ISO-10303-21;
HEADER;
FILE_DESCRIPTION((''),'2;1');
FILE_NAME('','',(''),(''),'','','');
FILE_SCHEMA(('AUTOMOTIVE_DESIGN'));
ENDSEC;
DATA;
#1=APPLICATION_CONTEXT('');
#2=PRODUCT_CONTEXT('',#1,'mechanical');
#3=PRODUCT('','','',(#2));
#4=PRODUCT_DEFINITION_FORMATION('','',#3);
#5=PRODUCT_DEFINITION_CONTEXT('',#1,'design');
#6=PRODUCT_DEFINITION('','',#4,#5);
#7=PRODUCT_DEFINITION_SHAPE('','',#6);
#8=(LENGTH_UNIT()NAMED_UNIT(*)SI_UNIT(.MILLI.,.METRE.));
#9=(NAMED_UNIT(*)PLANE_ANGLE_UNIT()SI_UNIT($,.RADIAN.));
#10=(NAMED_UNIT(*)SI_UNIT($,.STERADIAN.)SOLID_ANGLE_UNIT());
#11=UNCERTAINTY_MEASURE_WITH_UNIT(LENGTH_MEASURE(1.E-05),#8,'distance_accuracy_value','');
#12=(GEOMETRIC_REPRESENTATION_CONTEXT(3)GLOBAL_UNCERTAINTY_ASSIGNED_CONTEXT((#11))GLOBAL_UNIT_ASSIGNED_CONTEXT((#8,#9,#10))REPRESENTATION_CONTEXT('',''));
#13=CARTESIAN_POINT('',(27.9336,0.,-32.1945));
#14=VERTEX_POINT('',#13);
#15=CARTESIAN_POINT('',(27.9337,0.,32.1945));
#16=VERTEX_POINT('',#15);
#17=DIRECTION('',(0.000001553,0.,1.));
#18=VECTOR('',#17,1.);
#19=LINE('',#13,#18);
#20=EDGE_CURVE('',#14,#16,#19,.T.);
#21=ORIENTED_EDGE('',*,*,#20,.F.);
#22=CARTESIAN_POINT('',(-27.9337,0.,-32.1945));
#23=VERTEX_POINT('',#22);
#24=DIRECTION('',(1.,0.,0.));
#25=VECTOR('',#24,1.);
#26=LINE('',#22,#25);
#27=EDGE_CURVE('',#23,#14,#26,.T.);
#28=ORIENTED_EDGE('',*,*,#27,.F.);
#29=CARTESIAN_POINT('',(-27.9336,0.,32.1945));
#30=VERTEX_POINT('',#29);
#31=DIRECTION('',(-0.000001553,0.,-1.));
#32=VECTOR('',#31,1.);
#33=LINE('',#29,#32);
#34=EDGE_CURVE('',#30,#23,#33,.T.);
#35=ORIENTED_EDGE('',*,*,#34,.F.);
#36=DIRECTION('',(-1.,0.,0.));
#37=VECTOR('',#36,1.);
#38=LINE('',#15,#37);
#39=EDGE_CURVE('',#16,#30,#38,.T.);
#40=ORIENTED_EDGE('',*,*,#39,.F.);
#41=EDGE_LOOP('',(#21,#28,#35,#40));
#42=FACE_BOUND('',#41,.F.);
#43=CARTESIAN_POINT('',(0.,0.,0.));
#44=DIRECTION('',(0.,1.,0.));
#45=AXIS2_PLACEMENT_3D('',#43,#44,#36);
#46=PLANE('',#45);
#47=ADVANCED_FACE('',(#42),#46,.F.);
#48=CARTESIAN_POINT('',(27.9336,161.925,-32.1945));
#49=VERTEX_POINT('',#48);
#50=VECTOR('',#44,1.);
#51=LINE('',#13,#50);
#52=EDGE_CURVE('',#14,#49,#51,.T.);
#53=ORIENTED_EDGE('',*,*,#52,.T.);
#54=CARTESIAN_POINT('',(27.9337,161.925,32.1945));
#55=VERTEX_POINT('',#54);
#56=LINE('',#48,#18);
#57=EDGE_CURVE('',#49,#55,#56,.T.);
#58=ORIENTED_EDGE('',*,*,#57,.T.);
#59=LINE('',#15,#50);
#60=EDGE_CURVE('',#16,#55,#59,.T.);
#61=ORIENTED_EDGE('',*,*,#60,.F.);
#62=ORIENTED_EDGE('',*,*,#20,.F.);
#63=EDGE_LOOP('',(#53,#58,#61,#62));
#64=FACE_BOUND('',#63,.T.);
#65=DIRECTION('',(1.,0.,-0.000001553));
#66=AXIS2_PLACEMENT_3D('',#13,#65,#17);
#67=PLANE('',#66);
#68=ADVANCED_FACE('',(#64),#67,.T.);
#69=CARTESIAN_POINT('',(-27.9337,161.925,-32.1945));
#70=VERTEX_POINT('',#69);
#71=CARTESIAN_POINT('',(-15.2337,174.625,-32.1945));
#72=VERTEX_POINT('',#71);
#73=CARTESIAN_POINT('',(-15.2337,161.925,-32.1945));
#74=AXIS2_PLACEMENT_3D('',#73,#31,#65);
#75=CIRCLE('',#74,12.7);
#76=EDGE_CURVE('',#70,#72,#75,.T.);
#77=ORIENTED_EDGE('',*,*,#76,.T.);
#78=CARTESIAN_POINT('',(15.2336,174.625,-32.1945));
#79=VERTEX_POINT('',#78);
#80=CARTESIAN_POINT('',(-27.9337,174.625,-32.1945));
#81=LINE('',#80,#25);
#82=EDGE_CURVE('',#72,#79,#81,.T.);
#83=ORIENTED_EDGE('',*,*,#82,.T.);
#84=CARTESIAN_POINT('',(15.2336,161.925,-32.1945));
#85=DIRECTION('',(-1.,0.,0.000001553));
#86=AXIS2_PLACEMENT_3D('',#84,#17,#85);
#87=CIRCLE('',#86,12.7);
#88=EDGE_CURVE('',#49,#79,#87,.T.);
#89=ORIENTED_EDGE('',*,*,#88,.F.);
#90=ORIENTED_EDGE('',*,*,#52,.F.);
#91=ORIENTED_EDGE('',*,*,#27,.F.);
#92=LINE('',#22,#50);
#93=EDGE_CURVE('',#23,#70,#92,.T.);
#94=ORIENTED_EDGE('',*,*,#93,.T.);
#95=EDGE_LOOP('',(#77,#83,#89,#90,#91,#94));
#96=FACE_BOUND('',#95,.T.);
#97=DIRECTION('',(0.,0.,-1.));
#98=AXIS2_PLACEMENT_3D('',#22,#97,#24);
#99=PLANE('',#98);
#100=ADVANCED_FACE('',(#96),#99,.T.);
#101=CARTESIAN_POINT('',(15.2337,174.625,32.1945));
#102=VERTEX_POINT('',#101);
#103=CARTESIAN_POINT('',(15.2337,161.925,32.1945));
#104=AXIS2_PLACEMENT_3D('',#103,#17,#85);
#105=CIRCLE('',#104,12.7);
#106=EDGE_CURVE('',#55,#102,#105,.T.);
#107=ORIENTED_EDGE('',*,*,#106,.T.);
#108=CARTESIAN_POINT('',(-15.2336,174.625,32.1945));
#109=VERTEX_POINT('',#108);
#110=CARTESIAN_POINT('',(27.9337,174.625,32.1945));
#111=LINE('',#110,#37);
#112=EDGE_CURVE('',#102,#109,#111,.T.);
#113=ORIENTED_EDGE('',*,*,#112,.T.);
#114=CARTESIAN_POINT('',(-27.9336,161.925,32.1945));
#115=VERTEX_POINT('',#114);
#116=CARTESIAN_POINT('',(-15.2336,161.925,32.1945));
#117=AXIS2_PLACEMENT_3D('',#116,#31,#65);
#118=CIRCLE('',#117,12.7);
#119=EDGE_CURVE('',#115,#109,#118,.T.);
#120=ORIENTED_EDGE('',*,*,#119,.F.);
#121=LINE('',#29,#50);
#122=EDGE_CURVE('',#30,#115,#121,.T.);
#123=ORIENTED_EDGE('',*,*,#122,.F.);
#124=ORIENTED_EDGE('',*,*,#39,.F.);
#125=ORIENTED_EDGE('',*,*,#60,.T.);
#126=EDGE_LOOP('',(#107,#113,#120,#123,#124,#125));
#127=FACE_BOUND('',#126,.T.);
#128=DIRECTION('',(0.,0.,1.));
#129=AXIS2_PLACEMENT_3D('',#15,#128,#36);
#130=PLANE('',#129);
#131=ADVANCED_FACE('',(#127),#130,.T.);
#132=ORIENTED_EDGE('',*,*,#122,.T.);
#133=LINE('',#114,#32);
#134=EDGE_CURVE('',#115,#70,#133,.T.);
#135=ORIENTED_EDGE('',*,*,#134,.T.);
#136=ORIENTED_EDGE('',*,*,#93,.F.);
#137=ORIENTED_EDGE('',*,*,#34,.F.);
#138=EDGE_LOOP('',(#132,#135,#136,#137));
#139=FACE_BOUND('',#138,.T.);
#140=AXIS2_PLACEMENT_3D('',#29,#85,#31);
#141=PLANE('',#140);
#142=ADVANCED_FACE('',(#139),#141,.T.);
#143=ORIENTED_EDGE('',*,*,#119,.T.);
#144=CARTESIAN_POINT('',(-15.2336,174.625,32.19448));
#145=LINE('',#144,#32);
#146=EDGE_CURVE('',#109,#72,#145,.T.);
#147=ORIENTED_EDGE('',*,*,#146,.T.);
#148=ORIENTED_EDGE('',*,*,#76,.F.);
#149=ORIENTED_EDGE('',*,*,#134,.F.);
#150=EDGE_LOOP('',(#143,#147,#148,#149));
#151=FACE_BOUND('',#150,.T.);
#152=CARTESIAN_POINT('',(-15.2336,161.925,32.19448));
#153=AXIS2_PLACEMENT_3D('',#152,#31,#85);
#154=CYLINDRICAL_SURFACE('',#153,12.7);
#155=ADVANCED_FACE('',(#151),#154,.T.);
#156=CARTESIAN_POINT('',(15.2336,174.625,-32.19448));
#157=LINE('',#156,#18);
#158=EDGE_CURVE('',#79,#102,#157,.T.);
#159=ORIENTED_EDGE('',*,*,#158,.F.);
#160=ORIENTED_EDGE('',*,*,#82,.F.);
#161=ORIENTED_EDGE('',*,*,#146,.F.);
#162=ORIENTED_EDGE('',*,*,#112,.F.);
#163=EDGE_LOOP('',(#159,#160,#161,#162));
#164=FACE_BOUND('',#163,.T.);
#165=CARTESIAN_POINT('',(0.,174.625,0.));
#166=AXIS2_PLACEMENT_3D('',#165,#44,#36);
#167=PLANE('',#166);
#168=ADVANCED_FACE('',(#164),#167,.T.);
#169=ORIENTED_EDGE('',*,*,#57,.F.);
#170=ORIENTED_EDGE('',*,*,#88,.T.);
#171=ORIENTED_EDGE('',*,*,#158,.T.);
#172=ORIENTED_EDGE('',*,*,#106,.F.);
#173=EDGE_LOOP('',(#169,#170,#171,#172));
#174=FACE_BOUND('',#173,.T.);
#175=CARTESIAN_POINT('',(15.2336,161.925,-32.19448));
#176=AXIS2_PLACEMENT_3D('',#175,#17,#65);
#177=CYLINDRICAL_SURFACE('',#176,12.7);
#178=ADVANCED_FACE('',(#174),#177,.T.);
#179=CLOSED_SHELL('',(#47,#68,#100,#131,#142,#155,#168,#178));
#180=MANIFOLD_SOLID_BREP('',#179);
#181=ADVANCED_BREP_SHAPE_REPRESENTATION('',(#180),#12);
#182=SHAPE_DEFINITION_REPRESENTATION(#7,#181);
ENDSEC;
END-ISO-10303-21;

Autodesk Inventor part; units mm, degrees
ref_plane "YZ Plane" through (0, 0, 0) normal (1, 0, 0) x (0, 1, 0)
ref_plane "XZ Plane" through (0, 0, 0) normal (0, 1, 0) x (-1, 0, 0)
ref_plane "XY Plane" through (0, 0, 0) normal (0, 0, 1) x (1, 0, 0)
sketch "Sketch1" plane through (0, 0, 0) normal (0, 1, 0) x (-1, 0, 0)
  line L0 (-27.9337, 32.1945) -> (27.9336, 32.1945)
  line L1 (27.9336, 32.1945) -> (27.9337, -32.1945)
  line L2 (27.9337, -32.1945) -> (-27.9336, -32.1945)
  line L3 (-27.9336, -32.1945) -> (-27.9337, 32.1945)
  line L4 (-27.9337, 32.1945) -> (27.9337, -32.1945) construction
  line L5 (27.9336, 32.1945) -> (-27.9336, -32.1945) construction
  point P0 (0, 0)
  dimension "d0" = 64.389
  dimension "d1" = 55.8673
extrude "Extrusion1" add sketch "Sketch1" along normal blind 174.625
fillet "Fillet1" radius 12.7 2 edges at (-27.9337, 174.625, 0) (27.9337, 174.625, 0)
properties part number "10000 mAh battery"
